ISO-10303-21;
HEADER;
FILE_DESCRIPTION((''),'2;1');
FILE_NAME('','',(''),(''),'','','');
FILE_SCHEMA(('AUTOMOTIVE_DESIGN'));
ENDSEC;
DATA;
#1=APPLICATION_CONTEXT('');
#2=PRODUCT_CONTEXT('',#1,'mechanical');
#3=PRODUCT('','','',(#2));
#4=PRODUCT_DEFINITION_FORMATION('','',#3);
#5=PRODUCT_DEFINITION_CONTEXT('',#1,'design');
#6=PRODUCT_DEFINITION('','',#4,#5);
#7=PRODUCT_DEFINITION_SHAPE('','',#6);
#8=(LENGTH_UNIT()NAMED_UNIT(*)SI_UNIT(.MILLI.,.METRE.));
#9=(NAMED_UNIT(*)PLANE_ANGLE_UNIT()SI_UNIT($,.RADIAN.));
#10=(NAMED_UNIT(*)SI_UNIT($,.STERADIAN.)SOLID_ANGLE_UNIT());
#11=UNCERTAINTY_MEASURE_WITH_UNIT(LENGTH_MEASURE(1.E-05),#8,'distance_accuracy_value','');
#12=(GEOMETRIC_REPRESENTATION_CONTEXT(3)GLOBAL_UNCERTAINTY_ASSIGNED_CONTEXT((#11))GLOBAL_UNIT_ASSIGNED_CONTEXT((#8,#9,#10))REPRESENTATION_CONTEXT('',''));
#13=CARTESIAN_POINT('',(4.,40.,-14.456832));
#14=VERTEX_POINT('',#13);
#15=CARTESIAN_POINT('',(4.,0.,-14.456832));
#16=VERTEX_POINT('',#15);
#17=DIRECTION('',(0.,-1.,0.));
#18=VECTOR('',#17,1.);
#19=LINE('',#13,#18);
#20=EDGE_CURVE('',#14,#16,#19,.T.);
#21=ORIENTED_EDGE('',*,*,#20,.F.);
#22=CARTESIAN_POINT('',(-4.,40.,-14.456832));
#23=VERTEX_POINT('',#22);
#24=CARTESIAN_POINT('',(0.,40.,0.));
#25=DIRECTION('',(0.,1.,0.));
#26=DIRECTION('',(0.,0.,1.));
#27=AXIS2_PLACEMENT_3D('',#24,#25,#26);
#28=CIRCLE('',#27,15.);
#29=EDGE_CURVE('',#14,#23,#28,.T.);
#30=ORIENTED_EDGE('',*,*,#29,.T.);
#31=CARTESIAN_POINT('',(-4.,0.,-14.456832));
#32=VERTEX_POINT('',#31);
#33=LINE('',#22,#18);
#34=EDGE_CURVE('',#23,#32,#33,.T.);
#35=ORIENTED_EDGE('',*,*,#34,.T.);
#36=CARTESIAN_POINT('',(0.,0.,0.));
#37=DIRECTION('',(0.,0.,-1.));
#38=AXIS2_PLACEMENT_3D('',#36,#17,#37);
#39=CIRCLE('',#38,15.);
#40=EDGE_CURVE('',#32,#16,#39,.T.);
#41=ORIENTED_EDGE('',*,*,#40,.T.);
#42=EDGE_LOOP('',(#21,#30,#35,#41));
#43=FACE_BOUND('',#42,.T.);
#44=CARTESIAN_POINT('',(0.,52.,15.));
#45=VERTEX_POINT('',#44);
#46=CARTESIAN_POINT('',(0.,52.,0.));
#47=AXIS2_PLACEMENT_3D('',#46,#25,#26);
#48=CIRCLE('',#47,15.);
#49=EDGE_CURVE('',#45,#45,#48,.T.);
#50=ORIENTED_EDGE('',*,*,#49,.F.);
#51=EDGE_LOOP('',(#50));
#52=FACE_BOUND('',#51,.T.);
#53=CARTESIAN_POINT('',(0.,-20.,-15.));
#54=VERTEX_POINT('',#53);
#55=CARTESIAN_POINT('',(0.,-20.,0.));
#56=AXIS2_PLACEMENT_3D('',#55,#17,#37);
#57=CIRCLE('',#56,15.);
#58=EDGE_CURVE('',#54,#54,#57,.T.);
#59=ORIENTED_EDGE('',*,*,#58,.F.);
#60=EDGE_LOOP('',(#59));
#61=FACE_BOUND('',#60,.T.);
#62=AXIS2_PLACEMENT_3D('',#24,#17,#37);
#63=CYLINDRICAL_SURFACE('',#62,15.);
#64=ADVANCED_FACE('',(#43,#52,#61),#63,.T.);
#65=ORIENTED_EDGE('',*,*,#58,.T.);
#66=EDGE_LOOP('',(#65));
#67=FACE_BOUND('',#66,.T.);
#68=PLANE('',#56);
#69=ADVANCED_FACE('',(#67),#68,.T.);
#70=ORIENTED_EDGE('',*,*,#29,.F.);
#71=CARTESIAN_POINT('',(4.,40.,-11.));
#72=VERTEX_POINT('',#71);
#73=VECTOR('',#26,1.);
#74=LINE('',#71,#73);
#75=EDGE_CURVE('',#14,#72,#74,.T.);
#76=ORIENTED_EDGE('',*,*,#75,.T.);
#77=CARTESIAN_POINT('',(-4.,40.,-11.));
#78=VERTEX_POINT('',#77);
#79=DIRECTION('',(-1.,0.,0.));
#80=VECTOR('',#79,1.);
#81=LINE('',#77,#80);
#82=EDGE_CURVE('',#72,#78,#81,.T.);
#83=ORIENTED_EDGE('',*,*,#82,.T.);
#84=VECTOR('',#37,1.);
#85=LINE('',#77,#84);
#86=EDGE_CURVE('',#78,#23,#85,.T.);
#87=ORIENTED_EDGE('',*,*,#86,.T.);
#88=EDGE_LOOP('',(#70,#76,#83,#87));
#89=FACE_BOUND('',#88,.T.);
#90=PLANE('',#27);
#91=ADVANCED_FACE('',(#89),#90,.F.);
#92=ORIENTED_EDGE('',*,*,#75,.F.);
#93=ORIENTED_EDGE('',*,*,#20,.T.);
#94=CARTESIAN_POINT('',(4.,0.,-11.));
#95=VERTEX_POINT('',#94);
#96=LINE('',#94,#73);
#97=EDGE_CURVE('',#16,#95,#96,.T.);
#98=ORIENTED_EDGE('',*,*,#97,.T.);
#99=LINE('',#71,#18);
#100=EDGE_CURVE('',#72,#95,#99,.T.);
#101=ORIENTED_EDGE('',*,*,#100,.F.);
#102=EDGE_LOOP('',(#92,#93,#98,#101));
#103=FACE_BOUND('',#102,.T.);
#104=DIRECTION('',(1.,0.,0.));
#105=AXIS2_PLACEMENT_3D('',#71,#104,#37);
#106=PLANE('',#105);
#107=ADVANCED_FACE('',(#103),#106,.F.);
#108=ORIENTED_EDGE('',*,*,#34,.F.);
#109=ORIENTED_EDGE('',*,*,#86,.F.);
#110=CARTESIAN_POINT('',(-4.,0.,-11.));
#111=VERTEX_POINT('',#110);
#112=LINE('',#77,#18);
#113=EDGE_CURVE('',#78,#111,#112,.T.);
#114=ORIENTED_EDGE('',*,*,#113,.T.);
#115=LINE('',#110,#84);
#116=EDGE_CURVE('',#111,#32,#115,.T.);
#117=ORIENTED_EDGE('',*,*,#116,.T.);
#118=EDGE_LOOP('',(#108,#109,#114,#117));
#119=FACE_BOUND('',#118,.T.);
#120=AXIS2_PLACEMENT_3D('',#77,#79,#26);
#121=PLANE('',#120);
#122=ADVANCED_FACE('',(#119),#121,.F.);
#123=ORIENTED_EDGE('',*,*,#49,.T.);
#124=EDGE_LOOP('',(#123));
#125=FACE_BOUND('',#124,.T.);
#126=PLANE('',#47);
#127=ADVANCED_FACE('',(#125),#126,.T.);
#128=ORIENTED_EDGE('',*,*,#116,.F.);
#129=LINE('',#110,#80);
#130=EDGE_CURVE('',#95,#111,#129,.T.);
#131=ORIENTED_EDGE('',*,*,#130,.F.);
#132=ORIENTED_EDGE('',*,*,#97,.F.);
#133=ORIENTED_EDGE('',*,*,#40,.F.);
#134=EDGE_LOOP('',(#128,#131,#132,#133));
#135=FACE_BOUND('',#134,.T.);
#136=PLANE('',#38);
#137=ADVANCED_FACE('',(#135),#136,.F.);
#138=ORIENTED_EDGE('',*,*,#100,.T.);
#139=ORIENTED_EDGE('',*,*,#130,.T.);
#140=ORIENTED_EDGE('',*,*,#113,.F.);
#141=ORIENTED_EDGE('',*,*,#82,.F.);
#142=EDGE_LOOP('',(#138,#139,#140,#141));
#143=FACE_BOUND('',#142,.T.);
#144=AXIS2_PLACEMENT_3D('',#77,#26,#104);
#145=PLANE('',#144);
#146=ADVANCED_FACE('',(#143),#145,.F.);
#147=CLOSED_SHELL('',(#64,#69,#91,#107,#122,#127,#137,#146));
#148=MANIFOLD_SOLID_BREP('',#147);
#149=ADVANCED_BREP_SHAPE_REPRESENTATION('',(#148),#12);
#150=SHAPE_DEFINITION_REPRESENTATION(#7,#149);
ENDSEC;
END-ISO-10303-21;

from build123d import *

# Parameters (mm, degrees)
BOSS_EXTRUDE1_DEPTH = 40
SKETCH2_R           = 15
BOSS_EXTRUDE2_DEPTH = 12
BOSS_EXTRUDE3_START = 20
SKETCH3_R           = 15
BOSS_EXTRUDE3_DEPTH = 20


with BuildPart() as part:
    # Sketch1 → Boss-Extrude1 (new body)
    with BuildSketch(Plane(origin=(0, 0, 0), x_dir=(1, 0, 0), z_dir=(0, 1, 0))):
        with BuildLine():
            Line((-4, 11), (4, 11))
            Line((4, 11), (4, 14.456832295))
            ThreePointArc((4, 14.456832295), (0, -15), (-4, 14.456832295))
            Line((-4, 14.456832295), (-4, 11))
        make_face()
    extrude(amount=BOSS_EXTRUDE1_DEPTH)

    # Sketch2 → Boss-Extrude2 (add)
    with BuildSketch(Plane(origin=(0, 40, 0), x_dir=(1, 0, 0), z_dir=(0, 1, 0))):
        with Locations(Location((0, 0, 0), (0, 0, 74.533990047))):
            Circle(SKETCH2_R)
    extrude(amount=BOSS_EXTRUDE2_DEPTH)

    # Sketch3 → Boss-Extrude3 (add)
    with BuildSketch(Plane.XZ.offset(BOSS_EXTRUDE3_START)):
        with Locations(Location((0, 0, 0), (0, 0, 270))):
            Circle(SKETCH3_R)
    extrude(amount=-BOSS_EXTRUDE3_DEPTH)


solid = part.part
